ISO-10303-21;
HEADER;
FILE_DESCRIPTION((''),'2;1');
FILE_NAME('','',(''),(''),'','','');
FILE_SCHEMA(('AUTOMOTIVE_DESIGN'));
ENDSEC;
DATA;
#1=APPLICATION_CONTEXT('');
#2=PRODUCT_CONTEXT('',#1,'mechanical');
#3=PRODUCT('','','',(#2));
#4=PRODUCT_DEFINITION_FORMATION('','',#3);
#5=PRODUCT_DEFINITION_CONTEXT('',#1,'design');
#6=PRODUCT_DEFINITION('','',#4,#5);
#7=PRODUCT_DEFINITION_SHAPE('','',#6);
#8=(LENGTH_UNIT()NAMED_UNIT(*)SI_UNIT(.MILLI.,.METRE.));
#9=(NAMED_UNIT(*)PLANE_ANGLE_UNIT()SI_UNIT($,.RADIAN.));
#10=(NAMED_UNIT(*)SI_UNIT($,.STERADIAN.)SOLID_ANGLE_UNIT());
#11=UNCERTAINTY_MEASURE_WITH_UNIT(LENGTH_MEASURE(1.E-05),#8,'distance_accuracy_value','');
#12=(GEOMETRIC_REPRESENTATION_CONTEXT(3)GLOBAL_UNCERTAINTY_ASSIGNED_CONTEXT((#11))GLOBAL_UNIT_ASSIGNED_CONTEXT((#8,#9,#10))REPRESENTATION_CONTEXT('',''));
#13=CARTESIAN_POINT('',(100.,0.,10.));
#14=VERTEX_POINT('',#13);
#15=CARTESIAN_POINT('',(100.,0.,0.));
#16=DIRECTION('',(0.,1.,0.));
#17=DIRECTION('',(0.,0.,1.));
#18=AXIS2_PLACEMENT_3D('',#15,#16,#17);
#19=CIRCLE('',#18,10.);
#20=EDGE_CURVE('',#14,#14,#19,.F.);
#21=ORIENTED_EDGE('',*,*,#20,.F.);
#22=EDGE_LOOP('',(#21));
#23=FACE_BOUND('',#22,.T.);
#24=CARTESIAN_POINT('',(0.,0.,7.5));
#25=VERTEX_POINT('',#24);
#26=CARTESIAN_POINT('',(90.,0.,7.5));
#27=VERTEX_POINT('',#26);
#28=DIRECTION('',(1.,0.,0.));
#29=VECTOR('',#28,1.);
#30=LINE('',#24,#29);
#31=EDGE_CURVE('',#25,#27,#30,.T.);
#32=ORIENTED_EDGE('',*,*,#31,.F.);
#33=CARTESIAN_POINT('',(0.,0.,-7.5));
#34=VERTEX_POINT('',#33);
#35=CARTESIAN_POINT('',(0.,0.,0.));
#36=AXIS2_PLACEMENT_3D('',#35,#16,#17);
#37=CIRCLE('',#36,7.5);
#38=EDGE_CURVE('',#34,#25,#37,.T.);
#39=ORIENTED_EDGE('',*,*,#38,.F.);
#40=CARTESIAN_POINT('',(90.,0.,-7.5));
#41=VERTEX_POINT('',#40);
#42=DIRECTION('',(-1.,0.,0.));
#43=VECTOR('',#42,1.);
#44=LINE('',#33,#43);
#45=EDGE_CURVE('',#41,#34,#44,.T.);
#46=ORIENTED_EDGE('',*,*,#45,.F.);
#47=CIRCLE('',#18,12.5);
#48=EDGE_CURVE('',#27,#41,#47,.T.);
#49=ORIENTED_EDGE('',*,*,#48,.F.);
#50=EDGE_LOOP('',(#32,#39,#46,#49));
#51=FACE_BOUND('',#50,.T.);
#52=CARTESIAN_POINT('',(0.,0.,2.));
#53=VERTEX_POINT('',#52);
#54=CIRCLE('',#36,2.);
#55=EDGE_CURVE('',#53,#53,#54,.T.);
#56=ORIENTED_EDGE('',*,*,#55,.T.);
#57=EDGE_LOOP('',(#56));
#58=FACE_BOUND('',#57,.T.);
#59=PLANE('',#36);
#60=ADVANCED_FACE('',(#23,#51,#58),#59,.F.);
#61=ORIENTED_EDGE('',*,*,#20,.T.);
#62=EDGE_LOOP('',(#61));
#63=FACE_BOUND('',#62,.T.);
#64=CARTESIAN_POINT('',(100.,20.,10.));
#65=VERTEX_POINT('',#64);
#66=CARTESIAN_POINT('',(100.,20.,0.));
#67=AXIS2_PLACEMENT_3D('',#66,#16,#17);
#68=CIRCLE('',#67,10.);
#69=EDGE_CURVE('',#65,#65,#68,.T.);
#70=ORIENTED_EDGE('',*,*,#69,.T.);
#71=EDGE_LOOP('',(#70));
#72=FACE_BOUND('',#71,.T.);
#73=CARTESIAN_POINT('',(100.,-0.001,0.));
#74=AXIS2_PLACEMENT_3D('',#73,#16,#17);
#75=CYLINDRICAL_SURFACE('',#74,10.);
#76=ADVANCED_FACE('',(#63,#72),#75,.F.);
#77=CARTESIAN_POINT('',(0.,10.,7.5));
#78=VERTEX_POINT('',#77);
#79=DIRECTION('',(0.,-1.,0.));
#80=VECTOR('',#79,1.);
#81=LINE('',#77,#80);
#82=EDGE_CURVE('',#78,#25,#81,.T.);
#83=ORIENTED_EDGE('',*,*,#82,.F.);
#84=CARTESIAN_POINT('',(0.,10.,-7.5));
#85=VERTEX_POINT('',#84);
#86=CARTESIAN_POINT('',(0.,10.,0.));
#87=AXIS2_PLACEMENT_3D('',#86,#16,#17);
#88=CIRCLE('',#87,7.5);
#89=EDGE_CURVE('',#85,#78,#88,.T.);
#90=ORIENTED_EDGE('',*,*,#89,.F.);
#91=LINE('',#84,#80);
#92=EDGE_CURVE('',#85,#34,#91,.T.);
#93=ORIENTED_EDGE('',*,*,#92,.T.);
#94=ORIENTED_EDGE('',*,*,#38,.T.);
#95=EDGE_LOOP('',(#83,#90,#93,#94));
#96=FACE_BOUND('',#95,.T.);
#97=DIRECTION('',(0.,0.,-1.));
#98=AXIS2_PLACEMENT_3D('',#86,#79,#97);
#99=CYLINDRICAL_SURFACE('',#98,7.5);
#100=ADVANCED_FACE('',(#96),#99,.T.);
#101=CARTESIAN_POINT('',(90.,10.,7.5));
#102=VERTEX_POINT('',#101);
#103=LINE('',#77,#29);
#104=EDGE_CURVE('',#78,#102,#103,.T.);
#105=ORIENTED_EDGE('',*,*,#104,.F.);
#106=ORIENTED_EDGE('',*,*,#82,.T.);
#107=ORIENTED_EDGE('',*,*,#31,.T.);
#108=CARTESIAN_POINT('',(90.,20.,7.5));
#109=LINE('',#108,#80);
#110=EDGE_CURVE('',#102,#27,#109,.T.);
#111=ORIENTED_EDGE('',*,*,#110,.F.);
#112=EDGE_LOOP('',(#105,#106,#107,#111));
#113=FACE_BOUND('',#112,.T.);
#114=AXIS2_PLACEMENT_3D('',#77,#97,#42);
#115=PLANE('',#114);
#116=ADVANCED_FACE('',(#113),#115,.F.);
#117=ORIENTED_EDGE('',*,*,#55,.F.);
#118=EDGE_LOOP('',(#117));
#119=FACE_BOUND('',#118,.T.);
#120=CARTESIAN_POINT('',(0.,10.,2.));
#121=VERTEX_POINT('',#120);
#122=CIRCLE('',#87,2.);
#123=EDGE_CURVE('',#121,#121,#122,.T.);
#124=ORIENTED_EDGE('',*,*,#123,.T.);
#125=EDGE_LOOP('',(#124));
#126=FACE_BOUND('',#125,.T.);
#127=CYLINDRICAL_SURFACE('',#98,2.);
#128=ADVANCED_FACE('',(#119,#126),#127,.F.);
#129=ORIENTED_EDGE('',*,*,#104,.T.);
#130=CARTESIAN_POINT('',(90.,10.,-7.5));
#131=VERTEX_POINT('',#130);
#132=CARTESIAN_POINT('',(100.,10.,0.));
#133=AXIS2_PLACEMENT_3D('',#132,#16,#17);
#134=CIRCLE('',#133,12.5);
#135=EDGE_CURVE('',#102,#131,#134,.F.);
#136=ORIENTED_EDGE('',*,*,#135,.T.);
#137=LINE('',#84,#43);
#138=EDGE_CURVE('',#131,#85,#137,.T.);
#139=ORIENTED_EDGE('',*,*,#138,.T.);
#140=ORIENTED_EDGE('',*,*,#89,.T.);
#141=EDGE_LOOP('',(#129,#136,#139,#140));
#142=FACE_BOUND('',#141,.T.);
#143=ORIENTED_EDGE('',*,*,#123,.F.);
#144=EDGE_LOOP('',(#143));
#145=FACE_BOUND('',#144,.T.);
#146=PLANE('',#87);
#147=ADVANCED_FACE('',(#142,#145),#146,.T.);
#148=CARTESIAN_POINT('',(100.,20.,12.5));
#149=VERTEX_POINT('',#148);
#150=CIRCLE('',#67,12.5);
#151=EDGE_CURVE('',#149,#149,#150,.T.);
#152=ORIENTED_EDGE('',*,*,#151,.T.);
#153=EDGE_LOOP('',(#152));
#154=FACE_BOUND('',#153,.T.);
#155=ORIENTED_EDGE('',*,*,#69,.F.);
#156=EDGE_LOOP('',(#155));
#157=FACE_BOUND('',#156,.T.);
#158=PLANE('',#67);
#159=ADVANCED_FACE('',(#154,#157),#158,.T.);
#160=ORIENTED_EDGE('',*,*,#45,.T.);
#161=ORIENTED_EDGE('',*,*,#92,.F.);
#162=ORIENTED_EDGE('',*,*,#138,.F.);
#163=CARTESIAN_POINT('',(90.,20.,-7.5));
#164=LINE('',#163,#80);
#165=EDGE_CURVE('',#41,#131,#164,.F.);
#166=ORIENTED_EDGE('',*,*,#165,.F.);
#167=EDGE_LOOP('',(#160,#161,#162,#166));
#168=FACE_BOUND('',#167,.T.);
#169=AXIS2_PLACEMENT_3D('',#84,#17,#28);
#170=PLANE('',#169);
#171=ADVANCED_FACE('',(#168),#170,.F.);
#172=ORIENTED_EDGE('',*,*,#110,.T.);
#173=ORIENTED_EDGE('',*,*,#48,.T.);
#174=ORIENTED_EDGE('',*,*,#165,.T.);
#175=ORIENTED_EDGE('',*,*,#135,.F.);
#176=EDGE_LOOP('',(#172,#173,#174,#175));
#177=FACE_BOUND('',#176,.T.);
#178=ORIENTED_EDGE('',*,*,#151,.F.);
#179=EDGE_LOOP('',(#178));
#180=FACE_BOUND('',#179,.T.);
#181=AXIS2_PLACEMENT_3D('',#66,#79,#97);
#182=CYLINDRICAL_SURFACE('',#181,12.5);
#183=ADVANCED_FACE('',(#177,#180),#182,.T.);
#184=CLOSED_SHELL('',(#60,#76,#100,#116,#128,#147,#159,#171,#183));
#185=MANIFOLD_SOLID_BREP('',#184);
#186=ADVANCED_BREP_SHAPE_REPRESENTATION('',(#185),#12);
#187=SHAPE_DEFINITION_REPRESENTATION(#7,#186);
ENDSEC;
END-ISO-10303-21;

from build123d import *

# Parameters (mm, degrees)
SKETCH2_R           = 2
SKETCH2_R_2         = 2.5
BOSS_EXTRUDE1_DEPTH = 10
SKETCH3_R           = 12.5
BOSS_EXTRUDE3_DEPTH = 20
CUT_EXTRUDE1_REACH  = 22
SKETCH4_R           = 10


with BuildPart() as part:
    # Sketch2 → Boss-Extrude1 (new body)
    with BuildSketch(Plane(origin=(0, 0, 0), x_dir=(1, 0, 0), z_dir=(0, 1, 0))):
        with BuildLine():
            Line((0, 7.5), (100, 7.5))
            ThreePointArc((100, 7.5), (107.5, 0), (100, -7.5))
            Line((100, -7.5), (0, -7.5))
            ThreePointArc((0, -7.5), (-7.5, 0), (0, 7.5))
        make_face()
        Circle(SKETCH2_R, mode=Mode.SUBTRACT)
        with Locations((100, 0)):
            Circle(SKETCH2_R_2, mode=Mode.SUBTRACT)
    extrude(amount=BOSS_EXTRUDE1_DEPTH)

    # Sketch3 → Boss-Extrude3 (add)
    with BuildSketch(Plane(origin=(0, 0, 0), x_dir=(1, 0, 0), z_dir=(0, 1, 0))):
        with Locations((100, 0)):
            Circle(SKETCH3_R)
    extrude(amount=BOSS_EXTRUDE3_DEPTH)

    # Sketch4 → Cut-Extrude1 (cut, up to next)
    with BuildSketch(Plane(origin=(0, 20, 0), x_dir=(1, 0, 0), z_dir=(0, 1, 0)), mode=Mode.PRIVATE) as cut_extrude1_sk1:
        with Locations((100, 0)):
            Circle(SKETCH4_R)
    cut_extrude1_tool1 = extrude(cut_extrude1_sk1.sketch, amount=-CUT_EXTRUDE1_REACH, mode=Mode.PRIVATE) & part.part
    add(cut_extrude1_tool1.solids().sort_by_distance((100, 20, 0))[0], mode=Mode.SUBTRACT)


solid = part.part
